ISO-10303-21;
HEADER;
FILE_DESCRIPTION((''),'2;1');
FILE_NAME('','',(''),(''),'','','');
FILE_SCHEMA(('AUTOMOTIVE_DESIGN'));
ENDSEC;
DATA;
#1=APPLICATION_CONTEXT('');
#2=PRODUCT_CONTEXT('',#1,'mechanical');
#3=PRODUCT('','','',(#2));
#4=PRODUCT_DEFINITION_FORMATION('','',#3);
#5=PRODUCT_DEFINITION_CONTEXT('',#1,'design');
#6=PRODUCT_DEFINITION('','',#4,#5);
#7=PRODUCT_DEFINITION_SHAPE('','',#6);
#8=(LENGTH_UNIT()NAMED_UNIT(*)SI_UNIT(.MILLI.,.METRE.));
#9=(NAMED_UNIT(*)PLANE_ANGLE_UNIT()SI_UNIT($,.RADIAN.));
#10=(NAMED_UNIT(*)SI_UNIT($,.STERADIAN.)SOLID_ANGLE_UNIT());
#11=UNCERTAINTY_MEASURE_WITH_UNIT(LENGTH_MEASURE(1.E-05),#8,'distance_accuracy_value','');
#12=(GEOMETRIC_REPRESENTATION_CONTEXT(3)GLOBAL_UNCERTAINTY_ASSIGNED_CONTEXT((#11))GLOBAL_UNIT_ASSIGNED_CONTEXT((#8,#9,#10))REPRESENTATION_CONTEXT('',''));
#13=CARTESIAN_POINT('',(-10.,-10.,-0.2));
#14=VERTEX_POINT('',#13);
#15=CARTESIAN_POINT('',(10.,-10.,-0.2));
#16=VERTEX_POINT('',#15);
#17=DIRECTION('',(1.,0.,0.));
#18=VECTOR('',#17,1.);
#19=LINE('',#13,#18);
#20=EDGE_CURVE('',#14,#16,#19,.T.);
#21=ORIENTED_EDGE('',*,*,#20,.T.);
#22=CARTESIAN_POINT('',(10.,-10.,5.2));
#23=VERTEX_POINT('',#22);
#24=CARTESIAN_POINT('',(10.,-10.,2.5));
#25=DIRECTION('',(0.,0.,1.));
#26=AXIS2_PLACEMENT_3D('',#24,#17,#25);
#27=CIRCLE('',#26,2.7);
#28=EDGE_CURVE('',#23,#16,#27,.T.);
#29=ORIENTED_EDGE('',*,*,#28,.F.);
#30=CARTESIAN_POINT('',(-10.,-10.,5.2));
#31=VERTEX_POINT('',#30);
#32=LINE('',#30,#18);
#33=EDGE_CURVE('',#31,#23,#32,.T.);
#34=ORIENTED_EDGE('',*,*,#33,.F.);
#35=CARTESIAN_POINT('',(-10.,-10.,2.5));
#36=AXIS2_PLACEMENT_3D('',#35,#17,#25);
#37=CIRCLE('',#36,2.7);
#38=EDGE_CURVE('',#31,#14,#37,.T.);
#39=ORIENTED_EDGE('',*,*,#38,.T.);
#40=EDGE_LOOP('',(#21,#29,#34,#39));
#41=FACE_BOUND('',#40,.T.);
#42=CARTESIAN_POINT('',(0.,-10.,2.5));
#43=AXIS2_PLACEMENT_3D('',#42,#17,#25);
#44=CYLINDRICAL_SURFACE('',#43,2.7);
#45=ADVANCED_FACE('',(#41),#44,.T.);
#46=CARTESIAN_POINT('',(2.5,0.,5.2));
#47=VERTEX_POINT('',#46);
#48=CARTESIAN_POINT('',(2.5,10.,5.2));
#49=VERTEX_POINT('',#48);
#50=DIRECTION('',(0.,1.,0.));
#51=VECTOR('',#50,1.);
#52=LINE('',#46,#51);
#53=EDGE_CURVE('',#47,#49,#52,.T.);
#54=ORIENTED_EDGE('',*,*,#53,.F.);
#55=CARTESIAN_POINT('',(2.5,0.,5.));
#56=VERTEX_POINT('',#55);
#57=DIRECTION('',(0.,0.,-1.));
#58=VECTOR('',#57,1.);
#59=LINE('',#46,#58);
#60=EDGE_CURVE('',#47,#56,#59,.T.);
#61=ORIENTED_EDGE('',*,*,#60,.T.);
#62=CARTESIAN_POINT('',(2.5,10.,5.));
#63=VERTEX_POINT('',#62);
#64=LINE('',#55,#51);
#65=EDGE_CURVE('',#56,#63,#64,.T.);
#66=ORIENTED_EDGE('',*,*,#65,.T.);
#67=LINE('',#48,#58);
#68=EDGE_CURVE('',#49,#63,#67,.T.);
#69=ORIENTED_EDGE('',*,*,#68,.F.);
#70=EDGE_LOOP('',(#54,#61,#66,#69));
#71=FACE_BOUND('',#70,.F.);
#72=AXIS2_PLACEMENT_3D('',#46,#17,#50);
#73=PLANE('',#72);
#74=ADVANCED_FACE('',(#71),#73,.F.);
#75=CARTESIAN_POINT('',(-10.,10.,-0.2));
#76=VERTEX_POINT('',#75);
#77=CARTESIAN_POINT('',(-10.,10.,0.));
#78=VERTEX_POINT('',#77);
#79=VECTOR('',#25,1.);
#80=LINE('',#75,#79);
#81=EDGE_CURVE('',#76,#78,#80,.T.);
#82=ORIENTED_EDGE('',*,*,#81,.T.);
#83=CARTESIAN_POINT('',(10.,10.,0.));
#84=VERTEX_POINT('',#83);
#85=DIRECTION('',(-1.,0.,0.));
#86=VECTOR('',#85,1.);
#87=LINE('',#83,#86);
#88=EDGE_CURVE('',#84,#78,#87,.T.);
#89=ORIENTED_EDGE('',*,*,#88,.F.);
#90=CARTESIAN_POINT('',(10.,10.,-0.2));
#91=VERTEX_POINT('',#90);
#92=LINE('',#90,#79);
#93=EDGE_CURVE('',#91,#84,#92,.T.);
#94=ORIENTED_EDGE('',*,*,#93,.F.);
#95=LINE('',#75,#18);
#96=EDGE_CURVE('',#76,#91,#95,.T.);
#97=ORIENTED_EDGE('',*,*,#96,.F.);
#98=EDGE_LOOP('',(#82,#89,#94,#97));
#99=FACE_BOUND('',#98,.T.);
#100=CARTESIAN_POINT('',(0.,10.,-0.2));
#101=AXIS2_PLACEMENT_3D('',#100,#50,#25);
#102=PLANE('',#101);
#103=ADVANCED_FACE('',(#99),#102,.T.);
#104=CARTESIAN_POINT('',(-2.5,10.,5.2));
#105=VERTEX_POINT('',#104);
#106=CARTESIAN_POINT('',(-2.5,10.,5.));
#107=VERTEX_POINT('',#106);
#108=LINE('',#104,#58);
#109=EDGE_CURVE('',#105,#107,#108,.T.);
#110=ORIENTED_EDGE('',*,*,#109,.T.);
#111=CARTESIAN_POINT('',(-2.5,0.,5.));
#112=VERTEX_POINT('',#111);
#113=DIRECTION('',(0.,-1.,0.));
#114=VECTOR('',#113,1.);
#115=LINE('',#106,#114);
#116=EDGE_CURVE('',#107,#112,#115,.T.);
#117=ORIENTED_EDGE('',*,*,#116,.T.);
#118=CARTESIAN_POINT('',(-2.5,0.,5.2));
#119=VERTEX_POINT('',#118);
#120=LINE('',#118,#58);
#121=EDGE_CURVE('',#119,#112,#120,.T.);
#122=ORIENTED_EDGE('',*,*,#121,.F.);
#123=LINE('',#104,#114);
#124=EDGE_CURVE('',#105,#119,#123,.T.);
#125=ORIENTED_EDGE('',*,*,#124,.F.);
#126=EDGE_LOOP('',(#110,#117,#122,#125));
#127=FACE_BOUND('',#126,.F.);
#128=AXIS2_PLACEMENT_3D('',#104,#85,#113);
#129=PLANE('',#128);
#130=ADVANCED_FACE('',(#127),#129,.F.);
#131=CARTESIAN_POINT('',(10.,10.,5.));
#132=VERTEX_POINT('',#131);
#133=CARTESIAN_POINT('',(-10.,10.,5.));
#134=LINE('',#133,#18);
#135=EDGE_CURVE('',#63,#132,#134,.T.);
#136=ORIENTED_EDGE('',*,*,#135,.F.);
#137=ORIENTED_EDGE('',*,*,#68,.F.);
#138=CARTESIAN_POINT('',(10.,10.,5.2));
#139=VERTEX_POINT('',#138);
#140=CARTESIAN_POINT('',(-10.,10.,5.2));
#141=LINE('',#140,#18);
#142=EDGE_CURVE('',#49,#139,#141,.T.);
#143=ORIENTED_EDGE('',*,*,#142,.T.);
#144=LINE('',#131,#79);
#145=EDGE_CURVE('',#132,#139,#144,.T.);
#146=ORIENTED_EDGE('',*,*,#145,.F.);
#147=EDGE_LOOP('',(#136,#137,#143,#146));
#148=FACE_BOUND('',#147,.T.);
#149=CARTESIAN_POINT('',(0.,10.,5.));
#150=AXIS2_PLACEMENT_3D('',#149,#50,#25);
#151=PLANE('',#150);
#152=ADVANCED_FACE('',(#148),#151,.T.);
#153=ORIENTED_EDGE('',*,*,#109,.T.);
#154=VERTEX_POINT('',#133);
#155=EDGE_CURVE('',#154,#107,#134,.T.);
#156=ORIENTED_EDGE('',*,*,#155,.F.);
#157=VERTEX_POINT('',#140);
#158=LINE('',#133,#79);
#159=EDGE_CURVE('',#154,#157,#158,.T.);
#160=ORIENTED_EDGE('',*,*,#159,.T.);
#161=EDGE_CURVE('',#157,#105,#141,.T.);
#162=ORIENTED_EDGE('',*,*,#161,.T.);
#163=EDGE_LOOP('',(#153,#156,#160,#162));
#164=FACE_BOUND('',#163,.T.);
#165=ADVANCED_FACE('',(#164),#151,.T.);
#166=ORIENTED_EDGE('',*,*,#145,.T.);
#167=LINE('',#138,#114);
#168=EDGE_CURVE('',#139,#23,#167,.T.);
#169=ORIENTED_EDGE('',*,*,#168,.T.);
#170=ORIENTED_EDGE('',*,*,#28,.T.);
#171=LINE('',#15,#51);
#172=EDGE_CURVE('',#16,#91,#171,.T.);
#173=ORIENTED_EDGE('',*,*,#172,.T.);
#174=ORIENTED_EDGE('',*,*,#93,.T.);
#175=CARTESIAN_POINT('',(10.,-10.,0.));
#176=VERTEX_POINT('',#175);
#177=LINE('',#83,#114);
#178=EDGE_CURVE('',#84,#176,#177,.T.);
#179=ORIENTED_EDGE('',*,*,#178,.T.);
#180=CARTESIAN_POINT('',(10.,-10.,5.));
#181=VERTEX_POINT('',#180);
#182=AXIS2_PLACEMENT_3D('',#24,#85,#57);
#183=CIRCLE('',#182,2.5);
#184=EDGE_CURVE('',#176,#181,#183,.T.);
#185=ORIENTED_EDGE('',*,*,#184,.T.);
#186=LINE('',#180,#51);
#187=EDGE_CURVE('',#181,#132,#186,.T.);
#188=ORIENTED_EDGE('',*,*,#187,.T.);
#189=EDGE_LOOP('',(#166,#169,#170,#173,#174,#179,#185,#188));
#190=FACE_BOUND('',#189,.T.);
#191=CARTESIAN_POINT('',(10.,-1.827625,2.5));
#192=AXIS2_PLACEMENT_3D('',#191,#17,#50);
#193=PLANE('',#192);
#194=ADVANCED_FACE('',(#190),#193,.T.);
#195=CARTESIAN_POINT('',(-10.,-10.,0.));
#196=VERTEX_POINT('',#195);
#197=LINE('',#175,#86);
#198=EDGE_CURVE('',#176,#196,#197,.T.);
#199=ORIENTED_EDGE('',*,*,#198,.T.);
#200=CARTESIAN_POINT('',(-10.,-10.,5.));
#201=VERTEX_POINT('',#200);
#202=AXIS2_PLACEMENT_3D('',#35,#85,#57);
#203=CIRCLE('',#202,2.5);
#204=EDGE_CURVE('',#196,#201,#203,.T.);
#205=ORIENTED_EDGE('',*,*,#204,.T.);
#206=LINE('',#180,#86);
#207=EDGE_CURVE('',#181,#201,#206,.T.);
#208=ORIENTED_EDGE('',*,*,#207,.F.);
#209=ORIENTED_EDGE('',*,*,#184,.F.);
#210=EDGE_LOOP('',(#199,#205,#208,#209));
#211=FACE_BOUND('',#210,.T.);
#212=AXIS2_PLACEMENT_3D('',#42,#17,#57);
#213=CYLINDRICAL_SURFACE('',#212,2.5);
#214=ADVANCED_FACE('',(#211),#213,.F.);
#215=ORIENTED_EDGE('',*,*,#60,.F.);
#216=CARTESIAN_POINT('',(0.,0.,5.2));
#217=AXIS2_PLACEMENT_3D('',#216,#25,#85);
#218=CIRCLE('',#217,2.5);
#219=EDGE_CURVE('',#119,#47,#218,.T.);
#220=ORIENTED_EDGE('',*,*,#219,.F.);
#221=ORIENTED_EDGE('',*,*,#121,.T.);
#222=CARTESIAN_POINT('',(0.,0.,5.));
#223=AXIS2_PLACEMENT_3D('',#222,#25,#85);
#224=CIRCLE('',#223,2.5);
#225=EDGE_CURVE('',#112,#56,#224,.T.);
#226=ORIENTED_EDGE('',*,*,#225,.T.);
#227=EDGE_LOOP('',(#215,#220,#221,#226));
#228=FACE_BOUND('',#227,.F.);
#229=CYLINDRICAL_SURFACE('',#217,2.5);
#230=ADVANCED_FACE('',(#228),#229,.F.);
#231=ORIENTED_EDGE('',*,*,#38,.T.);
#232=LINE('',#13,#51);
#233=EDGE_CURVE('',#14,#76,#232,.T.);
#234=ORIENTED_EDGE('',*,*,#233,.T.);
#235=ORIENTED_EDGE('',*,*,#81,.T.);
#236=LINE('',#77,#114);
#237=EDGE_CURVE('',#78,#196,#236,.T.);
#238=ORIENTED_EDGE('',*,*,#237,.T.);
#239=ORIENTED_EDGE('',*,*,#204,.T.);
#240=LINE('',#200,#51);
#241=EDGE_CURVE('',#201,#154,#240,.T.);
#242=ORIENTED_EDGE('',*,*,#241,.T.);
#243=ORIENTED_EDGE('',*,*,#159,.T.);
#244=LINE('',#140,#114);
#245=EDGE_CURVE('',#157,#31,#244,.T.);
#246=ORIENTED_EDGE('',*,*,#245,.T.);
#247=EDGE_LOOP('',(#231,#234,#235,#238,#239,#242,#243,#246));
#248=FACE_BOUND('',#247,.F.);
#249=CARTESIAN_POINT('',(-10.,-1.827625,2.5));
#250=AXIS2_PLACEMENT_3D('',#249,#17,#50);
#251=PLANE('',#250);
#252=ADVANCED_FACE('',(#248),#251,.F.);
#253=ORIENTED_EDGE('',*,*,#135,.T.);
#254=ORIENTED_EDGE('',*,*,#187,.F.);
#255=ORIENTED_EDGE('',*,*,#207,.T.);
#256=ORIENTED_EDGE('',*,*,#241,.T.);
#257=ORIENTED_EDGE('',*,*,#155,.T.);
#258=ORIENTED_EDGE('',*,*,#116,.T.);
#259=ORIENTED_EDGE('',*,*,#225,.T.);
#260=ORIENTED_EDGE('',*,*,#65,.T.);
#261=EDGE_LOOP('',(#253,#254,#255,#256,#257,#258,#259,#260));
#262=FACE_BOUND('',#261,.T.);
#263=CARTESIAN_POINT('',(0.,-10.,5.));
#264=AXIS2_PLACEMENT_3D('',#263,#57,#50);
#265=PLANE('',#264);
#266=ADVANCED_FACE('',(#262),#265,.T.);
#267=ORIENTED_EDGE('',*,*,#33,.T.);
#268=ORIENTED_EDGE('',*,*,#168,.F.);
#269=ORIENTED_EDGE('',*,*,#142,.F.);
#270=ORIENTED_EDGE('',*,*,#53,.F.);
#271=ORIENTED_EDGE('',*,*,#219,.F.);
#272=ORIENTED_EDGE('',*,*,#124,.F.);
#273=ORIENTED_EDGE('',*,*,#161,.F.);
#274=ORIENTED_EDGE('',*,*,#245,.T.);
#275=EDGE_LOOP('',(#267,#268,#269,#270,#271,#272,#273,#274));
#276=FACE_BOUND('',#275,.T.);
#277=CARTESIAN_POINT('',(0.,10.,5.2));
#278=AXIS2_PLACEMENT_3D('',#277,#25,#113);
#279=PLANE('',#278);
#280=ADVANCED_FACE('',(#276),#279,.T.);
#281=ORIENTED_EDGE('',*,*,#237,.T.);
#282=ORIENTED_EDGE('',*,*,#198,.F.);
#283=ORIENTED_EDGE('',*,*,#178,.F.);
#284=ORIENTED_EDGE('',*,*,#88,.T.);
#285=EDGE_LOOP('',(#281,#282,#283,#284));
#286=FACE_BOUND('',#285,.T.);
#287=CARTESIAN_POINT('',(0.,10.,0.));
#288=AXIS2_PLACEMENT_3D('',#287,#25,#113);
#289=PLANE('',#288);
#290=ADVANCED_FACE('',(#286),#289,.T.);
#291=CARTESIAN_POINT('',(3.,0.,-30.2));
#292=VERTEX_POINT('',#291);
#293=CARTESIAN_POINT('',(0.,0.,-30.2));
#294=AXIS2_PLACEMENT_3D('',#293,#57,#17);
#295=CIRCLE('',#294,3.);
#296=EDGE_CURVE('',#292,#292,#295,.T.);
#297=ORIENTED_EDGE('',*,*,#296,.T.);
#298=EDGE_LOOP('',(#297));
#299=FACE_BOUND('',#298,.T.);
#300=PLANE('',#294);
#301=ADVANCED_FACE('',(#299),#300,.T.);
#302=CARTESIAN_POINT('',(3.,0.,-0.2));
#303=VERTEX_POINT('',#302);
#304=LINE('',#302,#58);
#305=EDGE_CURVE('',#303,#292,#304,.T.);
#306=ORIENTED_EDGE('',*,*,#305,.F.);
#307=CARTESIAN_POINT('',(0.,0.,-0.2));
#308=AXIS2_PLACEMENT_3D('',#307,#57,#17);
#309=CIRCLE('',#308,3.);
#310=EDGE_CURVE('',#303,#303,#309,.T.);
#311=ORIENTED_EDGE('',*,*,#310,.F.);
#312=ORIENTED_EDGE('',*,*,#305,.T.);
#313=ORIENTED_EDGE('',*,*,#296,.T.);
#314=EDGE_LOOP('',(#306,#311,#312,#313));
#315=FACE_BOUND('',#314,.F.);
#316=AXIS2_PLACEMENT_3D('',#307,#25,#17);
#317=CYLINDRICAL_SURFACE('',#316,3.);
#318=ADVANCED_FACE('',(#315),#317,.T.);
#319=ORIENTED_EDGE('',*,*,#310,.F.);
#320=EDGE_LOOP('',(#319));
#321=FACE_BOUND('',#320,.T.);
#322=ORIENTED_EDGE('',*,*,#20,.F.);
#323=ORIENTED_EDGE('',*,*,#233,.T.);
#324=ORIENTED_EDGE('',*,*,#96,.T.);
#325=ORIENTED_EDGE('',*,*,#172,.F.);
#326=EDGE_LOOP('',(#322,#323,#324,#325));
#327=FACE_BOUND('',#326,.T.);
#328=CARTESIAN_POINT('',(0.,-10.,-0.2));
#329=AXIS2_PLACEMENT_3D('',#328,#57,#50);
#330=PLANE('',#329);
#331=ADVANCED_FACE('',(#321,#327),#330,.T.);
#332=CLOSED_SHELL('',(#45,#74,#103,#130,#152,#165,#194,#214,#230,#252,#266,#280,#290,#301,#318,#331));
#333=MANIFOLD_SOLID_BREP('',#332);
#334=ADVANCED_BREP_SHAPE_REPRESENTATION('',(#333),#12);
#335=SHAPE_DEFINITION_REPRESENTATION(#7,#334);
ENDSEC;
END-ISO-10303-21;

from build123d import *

# Parameters (mm, degrees)
F1_DEPTH = 10
F3_DEPTH = 0.2
F4_R     = 3
F5_DEPTH = 30


with BuildPart() as f1:
    # F0 (on Right) → F1 (new body, symmetric)
    with BuildSketch(Plane.YZ):
        with BuildLine():
            Line((-10, 5), (10, 5))
            Line((10, 5), (10, 5.2))
            Line((10, 5.2), (-10, 5.2))
            ThreePointArc((-10, 5.2), (-12.7, 2.5), (-10, -0.2))
            Line((-10, -0.2), (10, -0.2))
            Line((10, -0.2), (10, 0))
            Line((10, 0), (-10, 0))
            ThreePointArc((-10, 0), (-12.5, 2.5), (-10, 5))
        make_face()
    extrude(amount=F1_DEPTH, both=True)

    # F2 (on face) → F3 (cut, through all)
    with BuildSketch(Plane.XY.offset(5.2)):
        with BuildLine():
            Line((-2.5, 10), (-2.5, 0))
            ThreePointArc((-2.5, 0), (0, -2.5), (2.5, 0))
            Line((2.5, 0), (2.5, 10))
            Line((2.5, 10), (-2.5, 10))
        make_face()
    extrude(amount=-F3_DEPTH, mode=Mode.SUBTRACT)

    # F4 (on face) → F5 (join)
    with BuildSketch(Plane(origin=(0, 0, -0.2), x_dir=(1, 0, 0), z_dir=(0, 0, -1))):
        Circle(F4_R)
    extrude(amount=F5_DEPTH)


solid = f1.part
